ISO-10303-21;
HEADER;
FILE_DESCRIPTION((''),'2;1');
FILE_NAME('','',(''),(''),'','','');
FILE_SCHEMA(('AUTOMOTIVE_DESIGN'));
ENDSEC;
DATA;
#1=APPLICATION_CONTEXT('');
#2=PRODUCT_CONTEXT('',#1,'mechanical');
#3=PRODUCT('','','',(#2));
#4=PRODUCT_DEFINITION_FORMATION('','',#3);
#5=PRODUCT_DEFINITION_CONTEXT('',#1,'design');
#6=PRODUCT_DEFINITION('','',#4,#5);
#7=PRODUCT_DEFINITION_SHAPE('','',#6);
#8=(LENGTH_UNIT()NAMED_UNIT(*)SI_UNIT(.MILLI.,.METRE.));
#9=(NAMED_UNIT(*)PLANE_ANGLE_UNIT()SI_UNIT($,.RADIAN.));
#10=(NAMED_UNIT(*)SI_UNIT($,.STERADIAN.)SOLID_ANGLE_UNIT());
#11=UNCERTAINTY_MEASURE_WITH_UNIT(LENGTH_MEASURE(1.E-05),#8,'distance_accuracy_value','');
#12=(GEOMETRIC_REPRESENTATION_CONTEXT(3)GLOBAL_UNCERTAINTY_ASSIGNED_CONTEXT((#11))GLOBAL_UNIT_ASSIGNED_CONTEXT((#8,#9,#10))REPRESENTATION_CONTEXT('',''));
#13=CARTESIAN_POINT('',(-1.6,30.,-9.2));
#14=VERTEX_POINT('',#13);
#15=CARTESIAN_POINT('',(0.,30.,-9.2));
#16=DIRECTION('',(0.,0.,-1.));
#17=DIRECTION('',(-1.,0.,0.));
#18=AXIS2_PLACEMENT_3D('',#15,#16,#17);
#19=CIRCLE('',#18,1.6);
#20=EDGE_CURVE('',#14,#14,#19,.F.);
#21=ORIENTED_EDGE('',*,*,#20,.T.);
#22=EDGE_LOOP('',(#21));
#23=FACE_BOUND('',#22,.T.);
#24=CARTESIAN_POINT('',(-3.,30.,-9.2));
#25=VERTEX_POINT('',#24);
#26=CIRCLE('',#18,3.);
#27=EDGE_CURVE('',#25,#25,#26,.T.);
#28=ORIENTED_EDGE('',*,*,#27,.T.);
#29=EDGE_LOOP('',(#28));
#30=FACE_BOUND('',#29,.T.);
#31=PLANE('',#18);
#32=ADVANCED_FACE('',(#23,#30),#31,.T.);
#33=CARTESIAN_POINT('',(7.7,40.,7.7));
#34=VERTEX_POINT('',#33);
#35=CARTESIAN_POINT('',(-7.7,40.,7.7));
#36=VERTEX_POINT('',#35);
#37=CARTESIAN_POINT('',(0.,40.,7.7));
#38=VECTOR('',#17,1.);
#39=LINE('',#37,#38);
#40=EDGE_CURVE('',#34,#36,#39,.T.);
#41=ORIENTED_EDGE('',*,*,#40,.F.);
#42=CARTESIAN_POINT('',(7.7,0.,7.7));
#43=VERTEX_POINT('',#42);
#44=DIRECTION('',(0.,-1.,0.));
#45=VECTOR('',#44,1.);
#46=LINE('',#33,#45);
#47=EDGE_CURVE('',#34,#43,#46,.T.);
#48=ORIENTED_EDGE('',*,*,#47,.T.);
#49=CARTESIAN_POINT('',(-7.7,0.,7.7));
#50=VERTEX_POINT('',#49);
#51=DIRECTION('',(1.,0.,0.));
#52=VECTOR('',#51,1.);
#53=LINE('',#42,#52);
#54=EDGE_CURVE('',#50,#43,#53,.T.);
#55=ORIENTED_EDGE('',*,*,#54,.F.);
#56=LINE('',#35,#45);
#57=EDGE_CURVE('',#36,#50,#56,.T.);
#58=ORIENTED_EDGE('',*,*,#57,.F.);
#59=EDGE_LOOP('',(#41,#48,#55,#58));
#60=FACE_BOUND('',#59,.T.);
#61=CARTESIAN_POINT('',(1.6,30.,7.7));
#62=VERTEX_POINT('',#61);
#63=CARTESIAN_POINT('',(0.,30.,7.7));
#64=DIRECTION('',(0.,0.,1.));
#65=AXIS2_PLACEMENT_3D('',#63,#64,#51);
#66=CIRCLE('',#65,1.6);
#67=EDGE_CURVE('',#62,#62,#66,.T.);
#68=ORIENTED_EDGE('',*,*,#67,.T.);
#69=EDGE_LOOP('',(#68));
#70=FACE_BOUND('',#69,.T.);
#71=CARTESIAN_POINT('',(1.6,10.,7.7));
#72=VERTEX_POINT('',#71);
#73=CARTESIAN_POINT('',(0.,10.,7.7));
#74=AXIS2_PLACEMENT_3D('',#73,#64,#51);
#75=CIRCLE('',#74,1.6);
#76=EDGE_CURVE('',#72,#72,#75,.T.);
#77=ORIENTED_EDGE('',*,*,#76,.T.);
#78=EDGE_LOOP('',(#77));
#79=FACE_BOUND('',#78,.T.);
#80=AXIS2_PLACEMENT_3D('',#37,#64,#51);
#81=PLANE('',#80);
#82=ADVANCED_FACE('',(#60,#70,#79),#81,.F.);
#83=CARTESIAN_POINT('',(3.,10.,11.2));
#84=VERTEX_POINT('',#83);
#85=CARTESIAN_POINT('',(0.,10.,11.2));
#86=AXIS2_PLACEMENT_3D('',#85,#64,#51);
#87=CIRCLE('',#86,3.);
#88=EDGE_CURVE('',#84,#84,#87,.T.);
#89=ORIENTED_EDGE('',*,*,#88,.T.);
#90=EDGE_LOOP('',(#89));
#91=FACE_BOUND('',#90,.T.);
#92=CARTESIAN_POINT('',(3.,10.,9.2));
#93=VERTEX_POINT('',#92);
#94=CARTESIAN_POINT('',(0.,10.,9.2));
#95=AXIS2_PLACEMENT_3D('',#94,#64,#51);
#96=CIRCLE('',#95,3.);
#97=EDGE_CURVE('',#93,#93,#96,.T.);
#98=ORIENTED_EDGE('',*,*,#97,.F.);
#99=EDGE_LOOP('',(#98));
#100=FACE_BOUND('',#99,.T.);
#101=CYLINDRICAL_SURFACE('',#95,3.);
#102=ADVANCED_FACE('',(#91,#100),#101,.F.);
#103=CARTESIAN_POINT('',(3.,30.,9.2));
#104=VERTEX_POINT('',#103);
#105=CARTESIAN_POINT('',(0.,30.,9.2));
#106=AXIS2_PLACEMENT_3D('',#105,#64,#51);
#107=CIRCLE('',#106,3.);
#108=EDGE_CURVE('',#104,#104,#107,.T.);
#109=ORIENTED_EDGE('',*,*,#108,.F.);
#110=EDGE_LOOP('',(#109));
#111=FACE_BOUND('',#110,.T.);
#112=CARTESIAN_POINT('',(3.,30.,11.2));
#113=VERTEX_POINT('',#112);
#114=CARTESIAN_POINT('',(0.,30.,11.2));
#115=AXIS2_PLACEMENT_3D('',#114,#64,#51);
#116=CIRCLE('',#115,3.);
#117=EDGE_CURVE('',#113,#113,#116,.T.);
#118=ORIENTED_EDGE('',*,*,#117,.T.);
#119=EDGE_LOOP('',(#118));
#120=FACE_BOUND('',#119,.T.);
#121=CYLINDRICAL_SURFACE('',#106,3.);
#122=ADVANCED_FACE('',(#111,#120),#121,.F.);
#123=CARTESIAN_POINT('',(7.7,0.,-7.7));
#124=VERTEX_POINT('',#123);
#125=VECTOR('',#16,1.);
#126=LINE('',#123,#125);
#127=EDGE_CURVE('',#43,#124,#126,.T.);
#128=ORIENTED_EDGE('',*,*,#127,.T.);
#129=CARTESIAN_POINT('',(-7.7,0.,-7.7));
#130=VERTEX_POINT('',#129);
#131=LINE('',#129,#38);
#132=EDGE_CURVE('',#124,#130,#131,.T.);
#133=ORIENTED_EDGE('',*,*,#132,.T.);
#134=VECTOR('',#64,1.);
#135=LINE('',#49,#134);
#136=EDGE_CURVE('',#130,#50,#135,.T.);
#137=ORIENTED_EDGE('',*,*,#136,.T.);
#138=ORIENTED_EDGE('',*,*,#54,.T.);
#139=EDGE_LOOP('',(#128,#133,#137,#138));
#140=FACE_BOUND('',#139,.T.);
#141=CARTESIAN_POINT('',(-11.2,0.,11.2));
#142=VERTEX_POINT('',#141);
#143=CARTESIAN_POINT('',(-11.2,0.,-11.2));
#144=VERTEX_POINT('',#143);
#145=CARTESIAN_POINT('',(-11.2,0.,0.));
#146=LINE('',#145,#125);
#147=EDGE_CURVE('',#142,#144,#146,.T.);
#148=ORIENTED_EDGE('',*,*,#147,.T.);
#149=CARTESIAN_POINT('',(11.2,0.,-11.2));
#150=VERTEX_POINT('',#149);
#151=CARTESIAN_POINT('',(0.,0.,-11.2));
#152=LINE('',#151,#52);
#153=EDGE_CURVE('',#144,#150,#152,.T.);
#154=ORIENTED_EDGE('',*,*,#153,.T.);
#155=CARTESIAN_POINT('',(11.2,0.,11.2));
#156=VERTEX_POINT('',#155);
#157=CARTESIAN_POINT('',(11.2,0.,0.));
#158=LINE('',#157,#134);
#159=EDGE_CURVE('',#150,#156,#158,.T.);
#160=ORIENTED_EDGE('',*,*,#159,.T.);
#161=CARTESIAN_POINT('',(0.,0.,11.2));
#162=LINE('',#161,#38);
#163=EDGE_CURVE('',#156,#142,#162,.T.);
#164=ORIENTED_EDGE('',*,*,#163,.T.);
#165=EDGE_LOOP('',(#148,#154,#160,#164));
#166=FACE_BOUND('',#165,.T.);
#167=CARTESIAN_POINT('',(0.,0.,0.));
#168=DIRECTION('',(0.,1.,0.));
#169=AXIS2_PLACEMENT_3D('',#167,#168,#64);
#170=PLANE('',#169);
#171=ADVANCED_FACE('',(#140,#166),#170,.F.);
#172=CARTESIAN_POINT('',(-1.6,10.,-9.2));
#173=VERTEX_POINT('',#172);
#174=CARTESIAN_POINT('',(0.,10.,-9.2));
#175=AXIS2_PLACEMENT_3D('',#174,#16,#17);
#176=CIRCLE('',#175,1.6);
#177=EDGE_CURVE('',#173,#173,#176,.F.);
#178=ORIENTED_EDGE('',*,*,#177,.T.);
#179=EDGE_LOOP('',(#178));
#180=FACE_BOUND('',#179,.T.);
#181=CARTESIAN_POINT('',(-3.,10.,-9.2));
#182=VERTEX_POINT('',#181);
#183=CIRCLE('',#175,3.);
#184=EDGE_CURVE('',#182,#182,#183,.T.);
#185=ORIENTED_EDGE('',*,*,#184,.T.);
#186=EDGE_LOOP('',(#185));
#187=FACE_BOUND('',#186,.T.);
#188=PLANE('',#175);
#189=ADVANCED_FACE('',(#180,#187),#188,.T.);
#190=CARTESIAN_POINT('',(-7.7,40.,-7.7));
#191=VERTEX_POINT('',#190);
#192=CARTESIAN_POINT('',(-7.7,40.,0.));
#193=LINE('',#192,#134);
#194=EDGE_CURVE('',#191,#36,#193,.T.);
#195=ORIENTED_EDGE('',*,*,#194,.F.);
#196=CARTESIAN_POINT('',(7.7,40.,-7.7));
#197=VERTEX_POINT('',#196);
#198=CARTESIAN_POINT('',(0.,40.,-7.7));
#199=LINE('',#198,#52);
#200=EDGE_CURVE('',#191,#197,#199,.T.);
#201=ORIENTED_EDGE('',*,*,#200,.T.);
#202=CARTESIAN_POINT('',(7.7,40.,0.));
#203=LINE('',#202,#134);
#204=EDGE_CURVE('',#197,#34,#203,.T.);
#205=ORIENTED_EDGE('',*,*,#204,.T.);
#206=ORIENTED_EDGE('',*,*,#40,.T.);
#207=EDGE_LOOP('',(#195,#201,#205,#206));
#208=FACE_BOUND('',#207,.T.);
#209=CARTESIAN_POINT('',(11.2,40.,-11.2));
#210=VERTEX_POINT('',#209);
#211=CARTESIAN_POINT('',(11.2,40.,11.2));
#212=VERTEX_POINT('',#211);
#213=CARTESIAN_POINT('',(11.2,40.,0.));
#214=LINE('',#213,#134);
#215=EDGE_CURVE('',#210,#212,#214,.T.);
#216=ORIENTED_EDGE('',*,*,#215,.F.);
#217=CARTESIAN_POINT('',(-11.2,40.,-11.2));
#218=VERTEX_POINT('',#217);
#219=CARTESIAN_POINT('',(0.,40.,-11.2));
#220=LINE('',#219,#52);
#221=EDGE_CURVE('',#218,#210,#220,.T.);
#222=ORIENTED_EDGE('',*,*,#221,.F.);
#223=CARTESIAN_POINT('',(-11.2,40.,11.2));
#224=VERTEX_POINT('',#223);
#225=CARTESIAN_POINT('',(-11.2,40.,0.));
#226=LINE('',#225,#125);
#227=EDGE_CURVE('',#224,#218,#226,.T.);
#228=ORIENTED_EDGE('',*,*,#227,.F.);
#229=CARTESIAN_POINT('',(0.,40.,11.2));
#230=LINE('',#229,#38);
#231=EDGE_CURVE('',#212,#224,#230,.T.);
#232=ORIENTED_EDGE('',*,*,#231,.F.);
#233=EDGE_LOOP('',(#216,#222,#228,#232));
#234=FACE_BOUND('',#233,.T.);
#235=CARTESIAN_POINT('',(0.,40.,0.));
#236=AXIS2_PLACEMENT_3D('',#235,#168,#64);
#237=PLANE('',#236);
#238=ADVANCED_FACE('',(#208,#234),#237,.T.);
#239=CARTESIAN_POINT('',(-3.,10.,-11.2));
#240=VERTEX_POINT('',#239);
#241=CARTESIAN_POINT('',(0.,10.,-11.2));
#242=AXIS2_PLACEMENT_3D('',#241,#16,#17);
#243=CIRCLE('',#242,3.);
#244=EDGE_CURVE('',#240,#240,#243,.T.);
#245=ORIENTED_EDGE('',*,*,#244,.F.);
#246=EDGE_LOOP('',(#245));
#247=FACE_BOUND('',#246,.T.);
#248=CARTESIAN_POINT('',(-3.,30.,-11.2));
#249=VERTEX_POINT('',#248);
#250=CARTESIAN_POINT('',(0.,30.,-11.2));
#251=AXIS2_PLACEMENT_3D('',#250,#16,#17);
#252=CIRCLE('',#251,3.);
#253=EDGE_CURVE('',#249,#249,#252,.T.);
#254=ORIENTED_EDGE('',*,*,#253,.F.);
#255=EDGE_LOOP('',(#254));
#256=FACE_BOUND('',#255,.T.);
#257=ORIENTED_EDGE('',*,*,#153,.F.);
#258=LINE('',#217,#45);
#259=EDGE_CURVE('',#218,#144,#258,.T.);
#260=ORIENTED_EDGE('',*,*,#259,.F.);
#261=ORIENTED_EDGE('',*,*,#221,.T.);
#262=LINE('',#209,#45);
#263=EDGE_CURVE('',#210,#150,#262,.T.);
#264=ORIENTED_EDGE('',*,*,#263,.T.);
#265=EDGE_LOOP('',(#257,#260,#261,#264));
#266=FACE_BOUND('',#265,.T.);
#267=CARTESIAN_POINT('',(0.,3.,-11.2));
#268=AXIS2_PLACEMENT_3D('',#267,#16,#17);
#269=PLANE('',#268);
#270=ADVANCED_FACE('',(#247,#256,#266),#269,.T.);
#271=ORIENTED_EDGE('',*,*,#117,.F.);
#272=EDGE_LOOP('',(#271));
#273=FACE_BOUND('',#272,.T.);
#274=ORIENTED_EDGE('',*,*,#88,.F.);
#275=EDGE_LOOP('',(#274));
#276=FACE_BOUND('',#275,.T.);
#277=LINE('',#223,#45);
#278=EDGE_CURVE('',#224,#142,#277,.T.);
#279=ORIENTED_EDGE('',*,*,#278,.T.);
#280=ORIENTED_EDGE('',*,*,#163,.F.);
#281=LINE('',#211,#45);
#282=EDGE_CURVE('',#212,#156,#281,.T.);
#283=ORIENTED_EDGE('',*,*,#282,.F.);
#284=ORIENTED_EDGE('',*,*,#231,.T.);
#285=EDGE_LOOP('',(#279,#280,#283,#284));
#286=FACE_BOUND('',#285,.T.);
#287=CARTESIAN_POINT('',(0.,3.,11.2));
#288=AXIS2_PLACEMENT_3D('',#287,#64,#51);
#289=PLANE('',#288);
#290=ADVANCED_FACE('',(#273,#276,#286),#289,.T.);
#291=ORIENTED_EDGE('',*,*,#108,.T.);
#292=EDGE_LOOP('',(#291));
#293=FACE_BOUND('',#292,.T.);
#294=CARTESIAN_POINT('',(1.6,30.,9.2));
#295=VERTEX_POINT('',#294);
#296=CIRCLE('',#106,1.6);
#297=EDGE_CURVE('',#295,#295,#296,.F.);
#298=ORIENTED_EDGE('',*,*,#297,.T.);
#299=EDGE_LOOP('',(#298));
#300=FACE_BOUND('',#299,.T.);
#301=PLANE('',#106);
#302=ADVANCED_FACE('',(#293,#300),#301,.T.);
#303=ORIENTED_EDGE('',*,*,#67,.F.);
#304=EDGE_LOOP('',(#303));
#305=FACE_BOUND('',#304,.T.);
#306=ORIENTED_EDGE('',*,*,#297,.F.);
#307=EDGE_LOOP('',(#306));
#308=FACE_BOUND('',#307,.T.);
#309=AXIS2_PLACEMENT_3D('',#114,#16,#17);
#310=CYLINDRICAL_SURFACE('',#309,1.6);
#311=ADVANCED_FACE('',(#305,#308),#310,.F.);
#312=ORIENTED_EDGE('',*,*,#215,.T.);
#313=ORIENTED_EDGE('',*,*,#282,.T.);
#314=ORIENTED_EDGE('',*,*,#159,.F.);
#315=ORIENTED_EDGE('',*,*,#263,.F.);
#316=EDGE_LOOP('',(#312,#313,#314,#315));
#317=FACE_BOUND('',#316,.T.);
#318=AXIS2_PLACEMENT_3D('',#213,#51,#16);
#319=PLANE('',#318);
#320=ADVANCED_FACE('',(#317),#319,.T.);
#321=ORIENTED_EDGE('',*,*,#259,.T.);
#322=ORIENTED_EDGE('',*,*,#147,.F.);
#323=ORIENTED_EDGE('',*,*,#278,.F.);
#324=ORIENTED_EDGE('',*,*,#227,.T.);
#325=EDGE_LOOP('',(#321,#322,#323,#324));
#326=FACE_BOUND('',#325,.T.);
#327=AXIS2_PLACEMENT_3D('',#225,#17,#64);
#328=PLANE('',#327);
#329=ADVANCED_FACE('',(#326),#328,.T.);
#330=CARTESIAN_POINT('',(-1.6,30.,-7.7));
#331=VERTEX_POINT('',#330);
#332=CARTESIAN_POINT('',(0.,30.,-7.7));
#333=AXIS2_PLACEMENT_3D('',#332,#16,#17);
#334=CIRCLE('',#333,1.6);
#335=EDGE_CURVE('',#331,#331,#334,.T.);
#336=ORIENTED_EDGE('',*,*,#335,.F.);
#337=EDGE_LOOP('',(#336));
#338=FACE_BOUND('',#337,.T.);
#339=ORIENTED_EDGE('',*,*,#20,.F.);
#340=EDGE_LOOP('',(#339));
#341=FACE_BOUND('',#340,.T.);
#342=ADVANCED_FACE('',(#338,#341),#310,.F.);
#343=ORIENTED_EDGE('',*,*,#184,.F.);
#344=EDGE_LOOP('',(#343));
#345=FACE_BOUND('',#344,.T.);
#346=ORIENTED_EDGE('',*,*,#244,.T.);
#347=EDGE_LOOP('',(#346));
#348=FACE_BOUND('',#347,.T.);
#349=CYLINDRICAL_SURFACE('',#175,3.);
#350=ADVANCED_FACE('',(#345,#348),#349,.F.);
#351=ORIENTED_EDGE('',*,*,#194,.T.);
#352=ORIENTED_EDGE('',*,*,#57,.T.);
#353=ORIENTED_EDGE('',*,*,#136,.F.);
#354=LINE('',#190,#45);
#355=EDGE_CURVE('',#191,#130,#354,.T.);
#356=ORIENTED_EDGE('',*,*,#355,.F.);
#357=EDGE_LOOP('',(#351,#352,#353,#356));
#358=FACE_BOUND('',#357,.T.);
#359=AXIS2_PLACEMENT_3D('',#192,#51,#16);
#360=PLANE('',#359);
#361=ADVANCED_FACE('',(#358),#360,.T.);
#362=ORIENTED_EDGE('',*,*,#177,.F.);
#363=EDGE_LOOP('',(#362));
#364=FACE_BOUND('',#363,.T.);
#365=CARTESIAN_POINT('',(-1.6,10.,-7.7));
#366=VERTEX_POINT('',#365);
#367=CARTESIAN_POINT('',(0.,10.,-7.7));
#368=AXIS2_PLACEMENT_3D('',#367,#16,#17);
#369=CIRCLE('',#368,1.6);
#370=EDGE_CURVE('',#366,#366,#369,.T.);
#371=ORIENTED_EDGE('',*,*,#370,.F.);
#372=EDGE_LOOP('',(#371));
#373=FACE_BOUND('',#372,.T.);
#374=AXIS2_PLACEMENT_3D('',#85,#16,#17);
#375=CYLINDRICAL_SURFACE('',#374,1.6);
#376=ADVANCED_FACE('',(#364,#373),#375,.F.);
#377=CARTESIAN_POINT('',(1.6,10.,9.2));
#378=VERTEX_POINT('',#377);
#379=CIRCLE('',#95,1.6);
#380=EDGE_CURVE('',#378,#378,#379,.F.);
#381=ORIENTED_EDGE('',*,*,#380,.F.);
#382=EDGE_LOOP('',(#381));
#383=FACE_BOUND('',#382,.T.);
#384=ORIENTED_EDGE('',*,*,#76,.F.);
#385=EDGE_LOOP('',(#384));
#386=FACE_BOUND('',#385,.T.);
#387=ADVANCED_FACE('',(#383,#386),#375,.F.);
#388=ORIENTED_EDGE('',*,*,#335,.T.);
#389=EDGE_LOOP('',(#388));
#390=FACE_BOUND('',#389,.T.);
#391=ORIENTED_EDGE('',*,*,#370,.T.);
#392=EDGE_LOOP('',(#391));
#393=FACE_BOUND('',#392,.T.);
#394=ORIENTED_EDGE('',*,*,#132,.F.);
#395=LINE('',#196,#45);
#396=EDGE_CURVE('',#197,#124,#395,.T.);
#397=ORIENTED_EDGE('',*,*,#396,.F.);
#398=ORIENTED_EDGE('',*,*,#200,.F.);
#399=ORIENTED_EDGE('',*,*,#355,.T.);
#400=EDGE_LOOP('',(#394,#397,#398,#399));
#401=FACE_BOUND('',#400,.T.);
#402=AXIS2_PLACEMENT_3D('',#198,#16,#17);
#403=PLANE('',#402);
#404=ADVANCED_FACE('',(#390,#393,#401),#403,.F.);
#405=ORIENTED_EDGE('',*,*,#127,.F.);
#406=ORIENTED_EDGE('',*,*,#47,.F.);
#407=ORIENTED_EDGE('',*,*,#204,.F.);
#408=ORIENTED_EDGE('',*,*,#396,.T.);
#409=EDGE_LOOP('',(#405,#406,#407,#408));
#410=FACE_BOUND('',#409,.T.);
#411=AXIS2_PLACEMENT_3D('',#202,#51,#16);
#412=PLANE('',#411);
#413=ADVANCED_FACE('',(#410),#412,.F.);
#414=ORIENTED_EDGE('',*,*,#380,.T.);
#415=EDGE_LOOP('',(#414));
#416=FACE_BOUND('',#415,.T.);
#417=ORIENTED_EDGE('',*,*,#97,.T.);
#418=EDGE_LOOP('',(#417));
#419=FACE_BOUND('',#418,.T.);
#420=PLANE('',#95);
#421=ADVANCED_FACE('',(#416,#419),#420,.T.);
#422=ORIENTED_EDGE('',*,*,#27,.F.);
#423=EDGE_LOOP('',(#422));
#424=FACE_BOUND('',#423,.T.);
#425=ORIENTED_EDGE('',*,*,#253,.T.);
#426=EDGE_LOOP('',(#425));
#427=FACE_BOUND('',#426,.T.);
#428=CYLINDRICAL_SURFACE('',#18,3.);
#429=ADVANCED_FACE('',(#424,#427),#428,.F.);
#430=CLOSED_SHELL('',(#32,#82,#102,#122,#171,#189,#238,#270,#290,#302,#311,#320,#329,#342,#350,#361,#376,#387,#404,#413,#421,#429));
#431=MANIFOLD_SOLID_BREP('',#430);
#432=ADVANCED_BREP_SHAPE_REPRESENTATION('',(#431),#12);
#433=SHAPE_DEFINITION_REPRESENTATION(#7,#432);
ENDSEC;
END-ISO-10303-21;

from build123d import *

# Parameters (mm, degrees)
SKETCH_1_W          = 15.4
SKETCH_1_H          = 22.4
EXTRUDE_2_DEPTH     = 3
SKETCH_1_4_W        = 15.4
SKETCH_1_4_H        = 3.5
EXTRUDE_3_DEPTH     = 10
EXTRUDE_3_2_DEPTH   = 10
SKETCH_1_5_W        = 22.4
SKETCH_1_5_H        = 22.4
SKETCH_1_5_W_2      = 15.4
SKETCH_1_5_H_2      = 15.4
EXTRUDE_4_DEPTH     = 40
SKETCH_3_R          = 1.6
CUT_EXTRUDE_2_DEPTH = 52.711507423
SKETCH_10_R         = 3
CUT_EXTRUDE_7_DEPTH = 2
CUT_EXTRUDE_START   = -2
SKETCH_11_R         = 3
CUT_EXTRUDE_8_DEPTH = 2
SKETCH_12_W         = 15.4
SKETCH_12_H         = 15.4
CUT_EXTRUDE_9_DEPTH = 41.247732855


with BuildPart() as part:
    # 草图1 → 凸台-拉伸2 (new body)
    with BuildSketch(Plane(origin=(0, 0, 0), x_dir=(1, 0, 0), z_dir=(0, 1, 0))):
        Rectangle(SKETCH_1_W, SKETCH_1_H)
    extrude(amount=EXTRUDE_2_DEPTH)



with BuildPart() as body_2:
    # 草图1<4> → 凸台-拉伸3 (new body)
    with BuildSketch(Plane(origin=(0, 0, 0), x_dir=(1, 0, 0), z_dir=(0, 1, 0))):
        with Locations((0, 9.45)):
            Rectangle(SKETCH_1_4_W, SKETCH_1_4_H)
    extrude(amount=EXTRUDE_3_DEPTH)


with BuildPart() as body_3:
    # 草图1<4> → Extrude 3 2 (new body)
    with BuildSketch(Plane(origin=(0, 0, 0), x_dir=(1, 0, 0), z_dir=(0, 1, 0))):
        with Locations((0, -9.45)):
            Rectangle(SKETCH_1_4_W, SKETCH_1_4_H)
    extrude(amount=EXTRUDE_3_2_DEPTH)


with BuildPart() as part_1:
    add(part.part)

    add(body_2.part)  # 凸台-拉伸4 merges body 2

    add(body_3.part)  # 凸台-拉伸4 merges body 3
    # 草图1<5> → 凸台-拉伸4 (add)
    with BuildSketch(Plane(origin=(0, 0, 0), x_dir=(1, 0, 0), z_dir=(0, 1, 0))):
        Rectangle(SKETCH_1_5_W, SKETCH_1_5_H)
        Rectangle(SKETCH_1_5_W_2, SKETCH_1_5_H_2, mode=Mode.SUBTRACT)
    extrude(amount=EXTRUDE_4_DEPTH)

    # 草图3 → 切除-拉伸2 (cut, through all)
    with BuildSketch(Plane(origin=(0, 0, -19.6), x_dir=(-1, 0, 0), z_dir=(0, 0, -1))):
        with Locations((0, 10)):
            Circle(SKETCH_3_R)
        with Locations((0, 30)):
            Circle(SKETCH_3_R)
    extrude(amount=-CUT_EXTRUDE_2_DEPTH, mode=Mode.SUBTRACT)

    # 草图10 → 切除-拉伸7 (cut)
    with BuildSketch(Plane(origin=(0, 0, -11.2), x_dir=(-1, 0, 0), z_dir=(0, 0, -1))):
        with Locations((0, 30)):
            Circle(SKETCH_10_R)
        with Locations((0, 10)):
            Circle(SKETCH_10_R)
    extrude(amount=-CUT_EXTRUDE_7_DEPTH, mode=Mode.SUBTRACT)

    # 草图11 → 切除-拉伸8 (cut)
    with BuildSketch(Plane.XY.offset(11.2).offset(CUT_EXTRUDE_START)):
        with Locations((0, 30)):
            Circle(SKETCH_11_R)
        with Locations((0, 10)):
            Circle(SKETCH_11_R)
    extrude(amount=CUT_EXTRUDE_8_DEPTH, mode=Mode.SUBTRACT)

    # 草图12 → 切除-拉伸9 (cut, through all)
    with BuildSketch(Plane(origin=(0, 3, 0), x_dir=(1, 0, 0), z_dir=(0, 1, 0))):
        Rectangle(SKETCH_12_W, SKETCH_12_H)
    extrude(amount=-CUT_EXTRUDE_9_DEPTH, mode=Mode.SUBTRACT)


solid = part_1.part
